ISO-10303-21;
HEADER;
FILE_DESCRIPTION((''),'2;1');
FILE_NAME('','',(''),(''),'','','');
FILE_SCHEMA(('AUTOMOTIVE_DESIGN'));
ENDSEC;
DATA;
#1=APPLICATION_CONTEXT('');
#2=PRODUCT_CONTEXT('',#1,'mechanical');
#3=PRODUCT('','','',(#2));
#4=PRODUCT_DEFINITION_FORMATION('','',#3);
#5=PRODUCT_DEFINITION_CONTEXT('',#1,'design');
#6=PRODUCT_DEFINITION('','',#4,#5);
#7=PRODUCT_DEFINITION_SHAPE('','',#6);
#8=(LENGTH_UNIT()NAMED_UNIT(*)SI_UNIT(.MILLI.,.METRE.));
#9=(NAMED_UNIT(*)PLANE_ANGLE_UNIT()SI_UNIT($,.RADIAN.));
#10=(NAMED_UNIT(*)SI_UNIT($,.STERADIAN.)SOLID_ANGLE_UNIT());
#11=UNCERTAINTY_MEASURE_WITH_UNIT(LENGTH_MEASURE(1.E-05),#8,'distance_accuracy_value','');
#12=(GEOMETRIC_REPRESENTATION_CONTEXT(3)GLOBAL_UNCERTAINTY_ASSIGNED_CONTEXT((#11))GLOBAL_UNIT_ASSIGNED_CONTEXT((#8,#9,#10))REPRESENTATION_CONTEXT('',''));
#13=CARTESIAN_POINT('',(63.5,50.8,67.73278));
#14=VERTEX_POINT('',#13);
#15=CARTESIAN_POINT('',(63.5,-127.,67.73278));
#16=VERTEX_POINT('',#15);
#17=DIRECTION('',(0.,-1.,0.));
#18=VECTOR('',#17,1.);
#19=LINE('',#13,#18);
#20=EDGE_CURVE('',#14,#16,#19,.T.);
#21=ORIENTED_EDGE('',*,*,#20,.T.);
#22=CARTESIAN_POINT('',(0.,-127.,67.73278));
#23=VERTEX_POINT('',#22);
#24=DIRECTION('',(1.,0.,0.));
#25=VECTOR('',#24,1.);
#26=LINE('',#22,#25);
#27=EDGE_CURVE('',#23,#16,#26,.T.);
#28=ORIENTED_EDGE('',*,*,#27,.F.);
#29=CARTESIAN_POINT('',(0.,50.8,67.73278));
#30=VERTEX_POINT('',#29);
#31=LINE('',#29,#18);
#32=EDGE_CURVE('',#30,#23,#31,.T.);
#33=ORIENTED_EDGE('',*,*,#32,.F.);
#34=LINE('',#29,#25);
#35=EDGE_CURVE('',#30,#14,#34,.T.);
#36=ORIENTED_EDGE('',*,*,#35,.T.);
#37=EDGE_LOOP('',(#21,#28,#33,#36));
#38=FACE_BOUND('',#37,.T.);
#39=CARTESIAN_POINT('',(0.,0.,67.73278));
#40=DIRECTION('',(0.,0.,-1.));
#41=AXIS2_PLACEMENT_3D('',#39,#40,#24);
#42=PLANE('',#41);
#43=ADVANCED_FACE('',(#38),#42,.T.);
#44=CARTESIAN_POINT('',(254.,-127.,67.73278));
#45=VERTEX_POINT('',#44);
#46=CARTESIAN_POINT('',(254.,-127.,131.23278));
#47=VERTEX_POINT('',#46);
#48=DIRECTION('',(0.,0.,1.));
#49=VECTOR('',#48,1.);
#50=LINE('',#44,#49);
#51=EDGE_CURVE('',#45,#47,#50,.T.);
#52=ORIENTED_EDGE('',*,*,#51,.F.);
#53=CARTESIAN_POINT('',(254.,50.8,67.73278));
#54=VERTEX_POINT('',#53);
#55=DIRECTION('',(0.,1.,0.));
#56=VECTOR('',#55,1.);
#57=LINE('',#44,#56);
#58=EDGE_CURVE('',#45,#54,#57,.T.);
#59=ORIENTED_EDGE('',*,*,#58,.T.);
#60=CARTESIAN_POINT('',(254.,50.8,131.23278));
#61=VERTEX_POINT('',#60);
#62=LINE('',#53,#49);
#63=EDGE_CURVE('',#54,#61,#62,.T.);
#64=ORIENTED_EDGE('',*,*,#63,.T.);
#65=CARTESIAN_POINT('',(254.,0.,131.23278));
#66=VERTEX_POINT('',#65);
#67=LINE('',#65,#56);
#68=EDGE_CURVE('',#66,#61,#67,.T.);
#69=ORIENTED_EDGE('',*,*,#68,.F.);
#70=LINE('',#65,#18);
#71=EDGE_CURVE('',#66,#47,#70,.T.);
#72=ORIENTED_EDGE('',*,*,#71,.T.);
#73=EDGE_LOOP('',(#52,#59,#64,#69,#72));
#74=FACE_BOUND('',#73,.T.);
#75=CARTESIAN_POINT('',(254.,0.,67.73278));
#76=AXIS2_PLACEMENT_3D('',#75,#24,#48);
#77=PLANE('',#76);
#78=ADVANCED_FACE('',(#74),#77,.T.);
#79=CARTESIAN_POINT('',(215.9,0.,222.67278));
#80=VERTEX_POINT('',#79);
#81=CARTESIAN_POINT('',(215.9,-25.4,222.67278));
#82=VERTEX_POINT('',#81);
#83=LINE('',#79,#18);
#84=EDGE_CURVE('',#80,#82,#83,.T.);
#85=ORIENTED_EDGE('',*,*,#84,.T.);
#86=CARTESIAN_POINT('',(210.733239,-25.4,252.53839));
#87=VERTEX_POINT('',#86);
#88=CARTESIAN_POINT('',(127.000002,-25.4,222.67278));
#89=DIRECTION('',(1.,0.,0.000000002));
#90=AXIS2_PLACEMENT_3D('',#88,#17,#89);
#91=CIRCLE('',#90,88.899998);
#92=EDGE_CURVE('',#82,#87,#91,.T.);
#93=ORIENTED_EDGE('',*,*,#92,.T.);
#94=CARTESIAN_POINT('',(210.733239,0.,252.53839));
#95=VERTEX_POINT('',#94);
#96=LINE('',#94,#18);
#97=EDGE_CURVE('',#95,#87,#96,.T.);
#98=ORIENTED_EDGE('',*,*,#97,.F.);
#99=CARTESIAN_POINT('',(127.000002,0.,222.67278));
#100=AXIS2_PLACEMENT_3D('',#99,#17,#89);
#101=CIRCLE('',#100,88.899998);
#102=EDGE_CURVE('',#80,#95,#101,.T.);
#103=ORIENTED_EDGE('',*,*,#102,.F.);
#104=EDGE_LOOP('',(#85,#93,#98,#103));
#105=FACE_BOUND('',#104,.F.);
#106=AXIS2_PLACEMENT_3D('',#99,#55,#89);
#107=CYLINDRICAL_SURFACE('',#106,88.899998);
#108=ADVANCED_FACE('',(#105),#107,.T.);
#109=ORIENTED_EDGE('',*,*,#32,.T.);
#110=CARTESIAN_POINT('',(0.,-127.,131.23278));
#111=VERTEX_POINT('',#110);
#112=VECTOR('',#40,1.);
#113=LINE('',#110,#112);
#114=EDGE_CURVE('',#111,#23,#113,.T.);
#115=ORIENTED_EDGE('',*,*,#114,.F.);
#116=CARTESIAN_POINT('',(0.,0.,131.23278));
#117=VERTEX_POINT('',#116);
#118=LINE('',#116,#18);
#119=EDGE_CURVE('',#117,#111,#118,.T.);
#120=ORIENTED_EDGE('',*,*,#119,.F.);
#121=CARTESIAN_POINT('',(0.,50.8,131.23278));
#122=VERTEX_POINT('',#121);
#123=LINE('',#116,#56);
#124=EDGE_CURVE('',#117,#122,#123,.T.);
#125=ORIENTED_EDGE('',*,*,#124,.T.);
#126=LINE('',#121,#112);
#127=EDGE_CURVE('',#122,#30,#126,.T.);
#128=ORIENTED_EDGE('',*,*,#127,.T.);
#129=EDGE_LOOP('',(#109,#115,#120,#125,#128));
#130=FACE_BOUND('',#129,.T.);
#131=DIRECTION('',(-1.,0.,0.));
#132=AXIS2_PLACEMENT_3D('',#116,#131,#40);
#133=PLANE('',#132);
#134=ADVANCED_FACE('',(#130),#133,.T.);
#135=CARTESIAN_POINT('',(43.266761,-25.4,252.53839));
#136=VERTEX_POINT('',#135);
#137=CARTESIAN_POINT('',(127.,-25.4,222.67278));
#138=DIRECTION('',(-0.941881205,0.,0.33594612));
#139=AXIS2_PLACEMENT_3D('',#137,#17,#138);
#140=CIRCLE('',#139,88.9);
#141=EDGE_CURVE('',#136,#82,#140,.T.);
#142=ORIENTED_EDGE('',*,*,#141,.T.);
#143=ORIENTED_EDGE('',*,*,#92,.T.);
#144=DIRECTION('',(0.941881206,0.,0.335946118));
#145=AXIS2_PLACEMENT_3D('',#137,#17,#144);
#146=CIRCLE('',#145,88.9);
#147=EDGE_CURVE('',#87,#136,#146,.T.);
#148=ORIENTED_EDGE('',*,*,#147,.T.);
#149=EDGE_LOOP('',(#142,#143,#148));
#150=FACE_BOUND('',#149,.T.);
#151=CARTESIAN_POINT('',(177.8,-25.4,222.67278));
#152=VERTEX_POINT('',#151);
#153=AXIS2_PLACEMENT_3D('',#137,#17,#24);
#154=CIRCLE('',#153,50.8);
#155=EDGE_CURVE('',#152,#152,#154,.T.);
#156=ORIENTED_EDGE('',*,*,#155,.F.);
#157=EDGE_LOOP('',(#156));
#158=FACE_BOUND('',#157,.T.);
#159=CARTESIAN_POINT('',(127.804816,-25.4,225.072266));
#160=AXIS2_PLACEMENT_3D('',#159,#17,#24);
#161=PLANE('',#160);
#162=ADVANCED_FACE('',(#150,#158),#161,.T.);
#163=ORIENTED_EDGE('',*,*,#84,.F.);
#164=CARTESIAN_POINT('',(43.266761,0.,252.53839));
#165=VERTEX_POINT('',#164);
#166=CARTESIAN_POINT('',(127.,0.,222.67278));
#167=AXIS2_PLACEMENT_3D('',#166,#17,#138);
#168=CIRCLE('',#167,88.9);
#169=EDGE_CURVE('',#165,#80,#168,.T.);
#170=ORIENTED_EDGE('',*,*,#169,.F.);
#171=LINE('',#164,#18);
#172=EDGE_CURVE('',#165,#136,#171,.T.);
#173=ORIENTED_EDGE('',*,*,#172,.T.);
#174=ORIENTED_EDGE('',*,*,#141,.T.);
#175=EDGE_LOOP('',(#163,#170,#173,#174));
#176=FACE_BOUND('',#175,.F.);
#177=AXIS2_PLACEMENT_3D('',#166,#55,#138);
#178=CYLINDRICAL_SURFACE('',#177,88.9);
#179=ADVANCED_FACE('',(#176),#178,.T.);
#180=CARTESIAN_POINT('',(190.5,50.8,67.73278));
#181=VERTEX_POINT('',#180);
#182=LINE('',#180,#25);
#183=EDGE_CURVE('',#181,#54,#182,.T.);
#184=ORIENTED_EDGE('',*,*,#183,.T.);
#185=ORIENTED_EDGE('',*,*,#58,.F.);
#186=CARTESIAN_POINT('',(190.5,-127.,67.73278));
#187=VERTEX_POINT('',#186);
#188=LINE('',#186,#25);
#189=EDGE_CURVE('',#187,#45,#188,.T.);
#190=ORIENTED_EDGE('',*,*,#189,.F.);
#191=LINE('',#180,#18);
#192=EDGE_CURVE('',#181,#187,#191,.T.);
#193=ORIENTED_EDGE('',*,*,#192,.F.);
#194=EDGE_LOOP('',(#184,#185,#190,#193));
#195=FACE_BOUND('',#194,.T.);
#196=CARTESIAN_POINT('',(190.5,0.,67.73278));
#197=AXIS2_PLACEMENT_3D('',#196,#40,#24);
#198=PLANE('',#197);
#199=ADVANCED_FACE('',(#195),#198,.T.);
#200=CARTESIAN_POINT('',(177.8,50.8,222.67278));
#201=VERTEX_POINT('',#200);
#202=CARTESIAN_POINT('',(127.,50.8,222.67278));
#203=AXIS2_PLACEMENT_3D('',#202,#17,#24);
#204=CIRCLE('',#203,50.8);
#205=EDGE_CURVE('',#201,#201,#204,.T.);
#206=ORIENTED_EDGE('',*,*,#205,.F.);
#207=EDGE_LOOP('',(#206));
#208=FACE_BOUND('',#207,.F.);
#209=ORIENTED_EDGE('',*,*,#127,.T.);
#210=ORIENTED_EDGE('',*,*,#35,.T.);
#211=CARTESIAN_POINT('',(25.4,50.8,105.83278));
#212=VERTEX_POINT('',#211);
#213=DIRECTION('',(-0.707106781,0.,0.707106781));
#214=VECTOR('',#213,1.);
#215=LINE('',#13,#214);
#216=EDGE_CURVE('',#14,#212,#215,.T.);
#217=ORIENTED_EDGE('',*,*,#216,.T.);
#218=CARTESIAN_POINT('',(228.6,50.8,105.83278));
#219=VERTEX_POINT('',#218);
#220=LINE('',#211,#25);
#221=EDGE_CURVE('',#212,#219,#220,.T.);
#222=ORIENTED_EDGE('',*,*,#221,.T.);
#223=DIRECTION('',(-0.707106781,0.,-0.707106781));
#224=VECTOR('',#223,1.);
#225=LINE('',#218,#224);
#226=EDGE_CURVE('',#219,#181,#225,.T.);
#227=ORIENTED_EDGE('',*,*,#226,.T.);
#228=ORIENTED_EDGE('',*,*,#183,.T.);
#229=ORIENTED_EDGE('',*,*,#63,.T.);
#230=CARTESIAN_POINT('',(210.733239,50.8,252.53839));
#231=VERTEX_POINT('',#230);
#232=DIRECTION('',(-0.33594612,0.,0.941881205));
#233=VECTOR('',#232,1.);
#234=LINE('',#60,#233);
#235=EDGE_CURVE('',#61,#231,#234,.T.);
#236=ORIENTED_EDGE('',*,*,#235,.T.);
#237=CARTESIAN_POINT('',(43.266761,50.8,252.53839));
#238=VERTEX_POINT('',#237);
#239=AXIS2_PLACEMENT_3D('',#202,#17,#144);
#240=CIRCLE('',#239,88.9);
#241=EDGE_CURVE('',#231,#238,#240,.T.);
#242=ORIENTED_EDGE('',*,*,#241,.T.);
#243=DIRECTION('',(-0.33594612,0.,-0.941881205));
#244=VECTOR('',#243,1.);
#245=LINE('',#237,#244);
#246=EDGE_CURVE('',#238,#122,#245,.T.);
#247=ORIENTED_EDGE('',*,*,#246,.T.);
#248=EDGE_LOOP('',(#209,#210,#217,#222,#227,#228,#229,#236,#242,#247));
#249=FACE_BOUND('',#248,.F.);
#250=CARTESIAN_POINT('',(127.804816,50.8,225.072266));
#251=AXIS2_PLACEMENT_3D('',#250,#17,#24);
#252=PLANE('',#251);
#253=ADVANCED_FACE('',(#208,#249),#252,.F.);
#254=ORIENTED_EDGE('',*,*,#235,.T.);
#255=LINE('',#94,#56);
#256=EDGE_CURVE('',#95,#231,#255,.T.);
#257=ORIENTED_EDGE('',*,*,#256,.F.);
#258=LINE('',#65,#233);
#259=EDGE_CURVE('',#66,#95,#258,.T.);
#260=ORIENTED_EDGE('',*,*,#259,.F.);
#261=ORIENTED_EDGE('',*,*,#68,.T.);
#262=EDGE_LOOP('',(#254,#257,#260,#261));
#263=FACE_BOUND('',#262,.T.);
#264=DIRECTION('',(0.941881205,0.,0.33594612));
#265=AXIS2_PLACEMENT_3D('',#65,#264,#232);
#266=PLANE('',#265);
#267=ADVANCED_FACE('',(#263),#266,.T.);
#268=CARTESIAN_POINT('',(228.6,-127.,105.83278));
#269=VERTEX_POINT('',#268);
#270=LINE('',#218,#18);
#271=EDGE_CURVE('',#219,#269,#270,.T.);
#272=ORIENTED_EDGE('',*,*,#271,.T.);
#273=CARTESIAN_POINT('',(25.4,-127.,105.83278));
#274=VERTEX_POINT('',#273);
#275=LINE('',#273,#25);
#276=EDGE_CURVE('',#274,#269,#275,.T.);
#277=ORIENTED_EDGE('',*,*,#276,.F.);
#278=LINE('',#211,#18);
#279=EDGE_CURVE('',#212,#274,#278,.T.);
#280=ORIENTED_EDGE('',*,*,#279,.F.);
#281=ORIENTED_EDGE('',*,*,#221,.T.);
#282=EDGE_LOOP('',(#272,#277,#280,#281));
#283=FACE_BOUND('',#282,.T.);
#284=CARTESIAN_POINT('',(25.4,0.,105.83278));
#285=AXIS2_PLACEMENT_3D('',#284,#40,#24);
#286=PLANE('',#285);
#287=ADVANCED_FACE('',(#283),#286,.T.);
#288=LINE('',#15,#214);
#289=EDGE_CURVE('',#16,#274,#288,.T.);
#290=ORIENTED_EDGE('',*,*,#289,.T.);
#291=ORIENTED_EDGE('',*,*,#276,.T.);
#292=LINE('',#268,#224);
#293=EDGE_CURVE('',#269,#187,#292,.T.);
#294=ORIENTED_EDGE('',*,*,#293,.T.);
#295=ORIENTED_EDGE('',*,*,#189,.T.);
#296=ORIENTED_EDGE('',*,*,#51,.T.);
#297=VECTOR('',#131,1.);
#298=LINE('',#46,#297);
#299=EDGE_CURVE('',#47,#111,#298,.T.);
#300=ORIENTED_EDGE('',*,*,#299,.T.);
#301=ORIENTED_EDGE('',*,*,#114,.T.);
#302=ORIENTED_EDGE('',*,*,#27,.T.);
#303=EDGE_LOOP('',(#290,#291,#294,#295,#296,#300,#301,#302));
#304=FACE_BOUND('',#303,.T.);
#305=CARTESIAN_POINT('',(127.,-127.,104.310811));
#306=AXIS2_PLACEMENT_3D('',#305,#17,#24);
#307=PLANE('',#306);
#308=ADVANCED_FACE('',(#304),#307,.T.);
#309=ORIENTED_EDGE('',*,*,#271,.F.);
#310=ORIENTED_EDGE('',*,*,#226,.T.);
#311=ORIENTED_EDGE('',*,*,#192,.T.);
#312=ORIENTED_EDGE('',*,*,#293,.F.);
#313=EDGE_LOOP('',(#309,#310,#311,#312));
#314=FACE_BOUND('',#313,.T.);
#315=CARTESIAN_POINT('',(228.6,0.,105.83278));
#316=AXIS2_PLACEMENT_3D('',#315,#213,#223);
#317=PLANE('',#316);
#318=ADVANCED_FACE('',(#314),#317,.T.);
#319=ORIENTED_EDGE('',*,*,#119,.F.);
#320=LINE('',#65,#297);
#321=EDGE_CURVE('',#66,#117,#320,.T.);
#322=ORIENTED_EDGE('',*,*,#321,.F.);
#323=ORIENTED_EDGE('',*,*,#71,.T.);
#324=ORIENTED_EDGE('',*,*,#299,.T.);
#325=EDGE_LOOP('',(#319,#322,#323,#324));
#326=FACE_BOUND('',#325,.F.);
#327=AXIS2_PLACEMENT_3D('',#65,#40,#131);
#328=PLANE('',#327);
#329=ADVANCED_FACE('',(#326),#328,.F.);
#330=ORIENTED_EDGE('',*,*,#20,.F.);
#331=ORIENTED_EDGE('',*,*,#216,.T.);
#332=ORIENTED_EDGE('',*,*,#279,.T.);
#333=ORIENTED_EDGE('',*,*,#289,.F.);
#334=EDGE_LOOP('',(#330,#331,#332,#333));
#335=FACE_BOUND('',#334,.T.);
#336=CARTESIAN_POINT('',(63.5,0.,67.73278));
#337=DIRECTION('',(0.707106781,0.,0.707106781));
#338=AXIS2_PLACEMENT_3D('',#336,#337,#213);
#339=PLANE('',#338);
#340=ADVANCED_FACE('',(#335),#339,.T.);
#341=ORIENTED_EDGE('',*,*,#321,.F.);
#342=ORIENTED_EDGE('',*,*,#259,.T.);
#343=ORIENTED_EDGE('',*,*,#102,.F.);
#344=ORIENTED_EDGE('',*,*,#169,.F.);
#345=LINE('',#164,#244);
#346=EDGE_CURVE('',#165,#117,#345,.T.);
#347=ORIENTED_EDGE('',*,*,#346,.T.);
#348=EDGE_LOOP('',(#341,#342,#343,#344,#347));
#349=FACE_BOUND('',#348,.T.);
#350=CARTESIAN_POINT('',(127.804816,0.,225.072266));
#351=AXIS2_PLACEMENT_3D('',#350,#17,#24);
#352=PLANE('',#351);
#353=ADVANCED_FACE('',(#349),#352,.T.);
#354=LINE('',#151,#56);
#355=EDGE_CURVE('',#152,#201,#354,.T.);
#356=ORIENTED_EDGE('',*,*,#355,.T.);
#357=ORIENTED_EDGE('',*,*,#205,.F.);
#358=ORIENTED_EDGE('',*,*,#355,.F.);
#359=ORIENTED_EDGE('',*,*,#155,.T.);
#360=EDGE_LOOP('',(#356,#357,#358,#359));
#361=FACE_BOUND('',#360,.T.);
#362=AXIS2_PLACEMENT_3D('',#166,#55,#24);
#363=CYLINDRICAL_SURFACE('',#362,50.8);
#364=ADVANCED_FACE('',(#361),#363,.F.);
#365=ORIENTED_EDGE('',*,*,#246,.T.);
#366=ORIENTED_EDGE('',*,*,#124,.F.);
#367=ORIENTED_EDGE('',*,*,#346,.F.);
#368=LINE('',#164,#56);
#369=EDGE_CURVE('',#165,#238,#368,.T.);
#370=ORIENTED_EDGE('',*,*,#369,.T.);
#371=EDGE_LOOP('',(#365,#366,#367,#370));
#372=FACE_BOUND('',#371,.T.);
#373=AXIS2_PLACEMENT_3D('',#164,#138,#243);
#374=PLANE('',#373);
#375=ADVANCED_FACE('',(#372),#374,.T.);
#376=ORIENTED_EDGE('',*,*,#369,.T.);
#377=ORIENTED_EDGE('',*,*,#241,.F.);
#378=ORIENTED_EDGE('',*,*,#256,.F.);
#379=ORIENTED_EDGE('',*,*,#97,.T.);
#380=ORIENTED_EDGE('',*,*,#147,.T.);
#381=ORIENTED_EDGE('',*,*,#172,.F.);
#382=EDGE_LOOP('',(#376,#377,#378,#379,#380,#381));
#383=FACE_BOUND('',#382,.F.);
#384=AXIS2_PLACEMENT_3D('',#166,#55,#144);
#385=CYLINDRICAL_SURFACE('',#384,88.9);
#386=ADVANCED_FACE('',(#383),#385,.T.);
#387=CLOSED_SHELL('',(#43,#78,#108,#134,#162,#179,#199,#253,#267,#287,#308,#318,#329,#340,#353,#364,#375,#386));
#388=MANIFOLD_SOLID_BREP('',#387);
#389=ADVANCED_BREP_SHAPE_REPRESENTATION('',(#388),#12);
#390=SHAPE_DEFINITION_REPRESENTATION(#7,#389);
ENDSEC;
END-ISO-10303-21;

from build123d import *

# Parameters (mm, degrees)
F1_DEPTH = 127
F0_R     = 50.8
F2_DEPTH = 50.8
F3_DEPTH = 25.4


with BuildPart() as f1:
    # F0 (on Front) → F1 (new body)
    with BuildSketch(Plane.XZ):
        Polygon((254, 67.73278), (254, 131.23278), (0, 131.23278), (0, 67.73278), (63.5, 67.73278), (25.4, 105.83278), (228.6, 105.83278), (190.5, 67.73278), align=None)
    extrude(amount=F1_DEPTH)

    # F0 (on Front) → F2 (join)
    with BuildSketch(Plane.XZ):
        with BuildLine():
            ThreePointArc((215.9, 222.67278), (214.598787, 237.8274), (210.733239, 252.53839))
            ThreePointArc((210.733239, 252.53839), (127, 311.57278), (43.266761, 252.53839))
            ThreePointArc((43.266761, 252.53839), (111.84538, 135.073993), (215.9, 222.67278))
        make_face()
        with Locations((127, 222.67278)):
            Circle(F0_R, mode=Mode.SUBTRACT)
        with BuildLine():
            Line((0, 131.23278), (254, 131.23278))
            Line((254, 131.23278), (210.733239, 252.53839))
            ThreePointArc((210.733239, 252.53839), (214.598787, 237.8274), (215.9, 222.67278))
            ThreePointArc((215.9, 222.67278), (111.84538, 135.073993), (43.266761, 252.53839))
            Line((43.266761, 252.53839), (0, 131.23278))
        make_face()
        Polygon((254, 67.73278), (254, 131.23278), (0, 131.23278), (0, 67.73278), (63.5, 67.73278), (25.4, 105.83278), (228.6, 105.83278), (190.5, 67.73278), align=None)
    extrude(amount=-F2_DEPTH)

    # F0 (on Front) → F3 (join)
    with BuildSketch(Plane.XZ):
        with BuildLine():
            ThreePointArc((215.9, 222.67278), (214.598787, 237.8274), (210.733239, 252.53839))
            ThreePointArc((210.733239, 252.53839), (127, 311.57278), (43.266761, 252.53839))
            ThreePointArc((43.266761, 252.53839), (111.84538, 135.073993), (215.9, 222.67278))
        make_face()
        with Locations((127, 222.67278)):
            Circle(F0_R, mode=Mode.SUBTRACT)
    extrude(amount=F3_DEPTH)


solid = f1.part
